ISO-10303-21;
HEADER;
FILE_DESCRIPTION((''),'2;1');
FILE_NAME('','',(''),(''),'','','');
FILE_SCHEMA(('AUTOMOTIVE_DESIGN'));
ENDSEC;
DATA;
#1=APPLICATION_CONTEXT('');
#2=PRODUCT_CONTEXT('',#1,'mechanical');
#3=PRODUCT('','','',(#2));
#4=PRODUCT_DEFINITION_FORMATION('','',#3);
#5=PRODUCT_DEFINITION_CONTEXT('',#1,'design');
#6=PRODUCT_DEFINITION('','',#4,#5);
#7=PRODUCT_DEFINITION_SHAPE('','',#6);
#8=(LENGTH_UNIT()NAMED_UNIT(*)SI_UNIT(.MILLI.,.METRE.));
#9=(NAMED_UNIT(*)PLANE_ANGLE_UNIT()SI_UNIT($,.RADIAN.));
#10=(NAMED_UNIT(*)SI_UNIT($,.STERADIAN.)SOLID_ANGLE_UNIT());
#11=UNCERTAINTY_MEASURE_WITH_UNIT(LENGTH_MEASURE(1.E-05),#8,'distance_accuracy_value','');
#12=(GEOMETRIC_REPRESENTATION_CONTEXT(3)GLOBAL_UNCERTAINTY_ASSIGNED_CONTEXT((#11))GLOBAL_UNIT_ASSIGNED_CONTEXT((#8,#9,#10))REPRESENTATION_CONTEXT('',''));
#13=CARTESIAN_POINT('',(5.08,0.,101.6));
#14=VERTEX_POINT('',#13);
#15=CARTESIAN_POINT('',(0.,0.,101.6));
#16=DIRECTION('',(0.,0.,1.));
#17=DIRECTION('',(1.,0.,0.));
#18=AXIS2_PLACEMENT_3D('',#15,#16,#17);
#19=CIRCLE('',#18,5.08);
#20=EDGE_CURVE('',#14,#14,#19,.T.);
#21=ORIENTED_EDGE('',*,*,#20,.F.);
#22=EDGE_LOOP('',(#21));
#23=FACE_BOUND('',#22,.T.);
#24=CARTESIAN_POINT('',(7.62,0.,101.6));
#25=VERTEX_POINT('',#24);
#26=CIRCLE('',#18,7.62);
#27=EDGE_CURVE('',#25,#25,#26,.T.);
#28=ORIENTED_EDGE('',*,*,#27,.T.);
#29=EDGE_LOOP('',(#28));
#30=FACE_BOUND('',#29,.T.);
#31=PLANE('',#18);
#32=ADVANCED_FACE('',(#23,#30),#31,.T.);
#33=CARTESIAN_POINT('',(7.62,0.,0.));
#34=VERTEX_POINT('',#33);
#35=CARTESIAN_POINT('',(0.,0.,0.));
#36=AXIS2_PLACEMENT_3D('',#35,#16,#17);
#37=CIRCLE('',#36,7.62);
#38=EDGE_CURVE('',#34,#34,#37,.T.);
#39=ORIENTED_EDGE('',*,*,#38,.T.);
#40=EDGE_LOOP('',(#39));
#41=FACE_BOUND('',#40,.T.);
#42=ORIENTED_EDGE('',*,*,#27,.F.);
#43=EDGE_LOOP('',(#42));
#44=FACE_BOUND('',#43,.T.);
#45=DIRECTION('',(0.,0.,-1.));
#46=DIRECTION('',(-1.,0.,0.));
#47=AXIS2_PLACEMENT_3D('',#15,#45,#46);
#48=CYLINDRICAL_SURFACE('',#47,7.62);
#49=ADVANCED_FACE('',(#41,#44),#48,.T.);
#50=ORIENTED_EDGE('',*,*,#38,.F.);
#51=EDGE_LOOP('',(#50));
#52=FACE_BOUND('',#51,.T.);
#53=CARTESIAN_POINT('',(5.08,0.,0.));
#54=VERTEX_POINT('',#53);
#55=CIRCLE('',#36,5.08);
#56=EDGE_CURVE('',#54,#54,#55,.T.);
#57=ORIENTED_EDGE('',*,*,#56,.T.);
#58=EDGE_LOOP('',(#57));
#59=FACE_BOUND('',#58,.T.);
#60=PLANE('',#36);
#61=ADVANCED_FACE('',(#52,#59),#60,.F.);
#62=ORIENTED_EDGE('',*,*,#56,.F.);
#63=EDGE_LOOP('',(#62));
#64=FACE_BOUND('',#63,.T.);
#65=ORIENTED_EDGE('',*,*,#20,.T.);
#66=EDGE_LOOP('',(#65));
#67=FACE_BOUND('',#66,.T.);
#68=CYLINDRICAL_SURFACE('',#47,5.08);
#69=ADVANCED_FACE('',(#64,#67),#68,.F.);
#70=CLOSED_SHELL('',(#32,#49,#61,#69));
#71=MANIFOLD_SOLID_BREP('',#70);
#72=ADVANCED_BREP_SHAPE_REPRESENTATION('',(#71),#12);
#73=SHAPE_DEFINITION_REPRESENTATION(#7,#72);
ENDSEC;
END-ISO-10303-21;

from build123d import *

# Parameters (mm, degrees)
SKETCH1_R           = 7.62
SKETCH1_R_2         = 5.08
BOSS_EXTRUDE1_DEPTH = 101.6


with BuildPart() as part:
    # Sketch1 → Boss-Extrude1 (new body)
    with BuildSketch(Plane.XY):
        Circle(SKETCH1_R)
        Circle(SKETCH1_R_2, mode=Mode.SUBTRACT)
    extrude(amount=BOSS_EXTRUDE1_DEPTH)


solid = part.part
